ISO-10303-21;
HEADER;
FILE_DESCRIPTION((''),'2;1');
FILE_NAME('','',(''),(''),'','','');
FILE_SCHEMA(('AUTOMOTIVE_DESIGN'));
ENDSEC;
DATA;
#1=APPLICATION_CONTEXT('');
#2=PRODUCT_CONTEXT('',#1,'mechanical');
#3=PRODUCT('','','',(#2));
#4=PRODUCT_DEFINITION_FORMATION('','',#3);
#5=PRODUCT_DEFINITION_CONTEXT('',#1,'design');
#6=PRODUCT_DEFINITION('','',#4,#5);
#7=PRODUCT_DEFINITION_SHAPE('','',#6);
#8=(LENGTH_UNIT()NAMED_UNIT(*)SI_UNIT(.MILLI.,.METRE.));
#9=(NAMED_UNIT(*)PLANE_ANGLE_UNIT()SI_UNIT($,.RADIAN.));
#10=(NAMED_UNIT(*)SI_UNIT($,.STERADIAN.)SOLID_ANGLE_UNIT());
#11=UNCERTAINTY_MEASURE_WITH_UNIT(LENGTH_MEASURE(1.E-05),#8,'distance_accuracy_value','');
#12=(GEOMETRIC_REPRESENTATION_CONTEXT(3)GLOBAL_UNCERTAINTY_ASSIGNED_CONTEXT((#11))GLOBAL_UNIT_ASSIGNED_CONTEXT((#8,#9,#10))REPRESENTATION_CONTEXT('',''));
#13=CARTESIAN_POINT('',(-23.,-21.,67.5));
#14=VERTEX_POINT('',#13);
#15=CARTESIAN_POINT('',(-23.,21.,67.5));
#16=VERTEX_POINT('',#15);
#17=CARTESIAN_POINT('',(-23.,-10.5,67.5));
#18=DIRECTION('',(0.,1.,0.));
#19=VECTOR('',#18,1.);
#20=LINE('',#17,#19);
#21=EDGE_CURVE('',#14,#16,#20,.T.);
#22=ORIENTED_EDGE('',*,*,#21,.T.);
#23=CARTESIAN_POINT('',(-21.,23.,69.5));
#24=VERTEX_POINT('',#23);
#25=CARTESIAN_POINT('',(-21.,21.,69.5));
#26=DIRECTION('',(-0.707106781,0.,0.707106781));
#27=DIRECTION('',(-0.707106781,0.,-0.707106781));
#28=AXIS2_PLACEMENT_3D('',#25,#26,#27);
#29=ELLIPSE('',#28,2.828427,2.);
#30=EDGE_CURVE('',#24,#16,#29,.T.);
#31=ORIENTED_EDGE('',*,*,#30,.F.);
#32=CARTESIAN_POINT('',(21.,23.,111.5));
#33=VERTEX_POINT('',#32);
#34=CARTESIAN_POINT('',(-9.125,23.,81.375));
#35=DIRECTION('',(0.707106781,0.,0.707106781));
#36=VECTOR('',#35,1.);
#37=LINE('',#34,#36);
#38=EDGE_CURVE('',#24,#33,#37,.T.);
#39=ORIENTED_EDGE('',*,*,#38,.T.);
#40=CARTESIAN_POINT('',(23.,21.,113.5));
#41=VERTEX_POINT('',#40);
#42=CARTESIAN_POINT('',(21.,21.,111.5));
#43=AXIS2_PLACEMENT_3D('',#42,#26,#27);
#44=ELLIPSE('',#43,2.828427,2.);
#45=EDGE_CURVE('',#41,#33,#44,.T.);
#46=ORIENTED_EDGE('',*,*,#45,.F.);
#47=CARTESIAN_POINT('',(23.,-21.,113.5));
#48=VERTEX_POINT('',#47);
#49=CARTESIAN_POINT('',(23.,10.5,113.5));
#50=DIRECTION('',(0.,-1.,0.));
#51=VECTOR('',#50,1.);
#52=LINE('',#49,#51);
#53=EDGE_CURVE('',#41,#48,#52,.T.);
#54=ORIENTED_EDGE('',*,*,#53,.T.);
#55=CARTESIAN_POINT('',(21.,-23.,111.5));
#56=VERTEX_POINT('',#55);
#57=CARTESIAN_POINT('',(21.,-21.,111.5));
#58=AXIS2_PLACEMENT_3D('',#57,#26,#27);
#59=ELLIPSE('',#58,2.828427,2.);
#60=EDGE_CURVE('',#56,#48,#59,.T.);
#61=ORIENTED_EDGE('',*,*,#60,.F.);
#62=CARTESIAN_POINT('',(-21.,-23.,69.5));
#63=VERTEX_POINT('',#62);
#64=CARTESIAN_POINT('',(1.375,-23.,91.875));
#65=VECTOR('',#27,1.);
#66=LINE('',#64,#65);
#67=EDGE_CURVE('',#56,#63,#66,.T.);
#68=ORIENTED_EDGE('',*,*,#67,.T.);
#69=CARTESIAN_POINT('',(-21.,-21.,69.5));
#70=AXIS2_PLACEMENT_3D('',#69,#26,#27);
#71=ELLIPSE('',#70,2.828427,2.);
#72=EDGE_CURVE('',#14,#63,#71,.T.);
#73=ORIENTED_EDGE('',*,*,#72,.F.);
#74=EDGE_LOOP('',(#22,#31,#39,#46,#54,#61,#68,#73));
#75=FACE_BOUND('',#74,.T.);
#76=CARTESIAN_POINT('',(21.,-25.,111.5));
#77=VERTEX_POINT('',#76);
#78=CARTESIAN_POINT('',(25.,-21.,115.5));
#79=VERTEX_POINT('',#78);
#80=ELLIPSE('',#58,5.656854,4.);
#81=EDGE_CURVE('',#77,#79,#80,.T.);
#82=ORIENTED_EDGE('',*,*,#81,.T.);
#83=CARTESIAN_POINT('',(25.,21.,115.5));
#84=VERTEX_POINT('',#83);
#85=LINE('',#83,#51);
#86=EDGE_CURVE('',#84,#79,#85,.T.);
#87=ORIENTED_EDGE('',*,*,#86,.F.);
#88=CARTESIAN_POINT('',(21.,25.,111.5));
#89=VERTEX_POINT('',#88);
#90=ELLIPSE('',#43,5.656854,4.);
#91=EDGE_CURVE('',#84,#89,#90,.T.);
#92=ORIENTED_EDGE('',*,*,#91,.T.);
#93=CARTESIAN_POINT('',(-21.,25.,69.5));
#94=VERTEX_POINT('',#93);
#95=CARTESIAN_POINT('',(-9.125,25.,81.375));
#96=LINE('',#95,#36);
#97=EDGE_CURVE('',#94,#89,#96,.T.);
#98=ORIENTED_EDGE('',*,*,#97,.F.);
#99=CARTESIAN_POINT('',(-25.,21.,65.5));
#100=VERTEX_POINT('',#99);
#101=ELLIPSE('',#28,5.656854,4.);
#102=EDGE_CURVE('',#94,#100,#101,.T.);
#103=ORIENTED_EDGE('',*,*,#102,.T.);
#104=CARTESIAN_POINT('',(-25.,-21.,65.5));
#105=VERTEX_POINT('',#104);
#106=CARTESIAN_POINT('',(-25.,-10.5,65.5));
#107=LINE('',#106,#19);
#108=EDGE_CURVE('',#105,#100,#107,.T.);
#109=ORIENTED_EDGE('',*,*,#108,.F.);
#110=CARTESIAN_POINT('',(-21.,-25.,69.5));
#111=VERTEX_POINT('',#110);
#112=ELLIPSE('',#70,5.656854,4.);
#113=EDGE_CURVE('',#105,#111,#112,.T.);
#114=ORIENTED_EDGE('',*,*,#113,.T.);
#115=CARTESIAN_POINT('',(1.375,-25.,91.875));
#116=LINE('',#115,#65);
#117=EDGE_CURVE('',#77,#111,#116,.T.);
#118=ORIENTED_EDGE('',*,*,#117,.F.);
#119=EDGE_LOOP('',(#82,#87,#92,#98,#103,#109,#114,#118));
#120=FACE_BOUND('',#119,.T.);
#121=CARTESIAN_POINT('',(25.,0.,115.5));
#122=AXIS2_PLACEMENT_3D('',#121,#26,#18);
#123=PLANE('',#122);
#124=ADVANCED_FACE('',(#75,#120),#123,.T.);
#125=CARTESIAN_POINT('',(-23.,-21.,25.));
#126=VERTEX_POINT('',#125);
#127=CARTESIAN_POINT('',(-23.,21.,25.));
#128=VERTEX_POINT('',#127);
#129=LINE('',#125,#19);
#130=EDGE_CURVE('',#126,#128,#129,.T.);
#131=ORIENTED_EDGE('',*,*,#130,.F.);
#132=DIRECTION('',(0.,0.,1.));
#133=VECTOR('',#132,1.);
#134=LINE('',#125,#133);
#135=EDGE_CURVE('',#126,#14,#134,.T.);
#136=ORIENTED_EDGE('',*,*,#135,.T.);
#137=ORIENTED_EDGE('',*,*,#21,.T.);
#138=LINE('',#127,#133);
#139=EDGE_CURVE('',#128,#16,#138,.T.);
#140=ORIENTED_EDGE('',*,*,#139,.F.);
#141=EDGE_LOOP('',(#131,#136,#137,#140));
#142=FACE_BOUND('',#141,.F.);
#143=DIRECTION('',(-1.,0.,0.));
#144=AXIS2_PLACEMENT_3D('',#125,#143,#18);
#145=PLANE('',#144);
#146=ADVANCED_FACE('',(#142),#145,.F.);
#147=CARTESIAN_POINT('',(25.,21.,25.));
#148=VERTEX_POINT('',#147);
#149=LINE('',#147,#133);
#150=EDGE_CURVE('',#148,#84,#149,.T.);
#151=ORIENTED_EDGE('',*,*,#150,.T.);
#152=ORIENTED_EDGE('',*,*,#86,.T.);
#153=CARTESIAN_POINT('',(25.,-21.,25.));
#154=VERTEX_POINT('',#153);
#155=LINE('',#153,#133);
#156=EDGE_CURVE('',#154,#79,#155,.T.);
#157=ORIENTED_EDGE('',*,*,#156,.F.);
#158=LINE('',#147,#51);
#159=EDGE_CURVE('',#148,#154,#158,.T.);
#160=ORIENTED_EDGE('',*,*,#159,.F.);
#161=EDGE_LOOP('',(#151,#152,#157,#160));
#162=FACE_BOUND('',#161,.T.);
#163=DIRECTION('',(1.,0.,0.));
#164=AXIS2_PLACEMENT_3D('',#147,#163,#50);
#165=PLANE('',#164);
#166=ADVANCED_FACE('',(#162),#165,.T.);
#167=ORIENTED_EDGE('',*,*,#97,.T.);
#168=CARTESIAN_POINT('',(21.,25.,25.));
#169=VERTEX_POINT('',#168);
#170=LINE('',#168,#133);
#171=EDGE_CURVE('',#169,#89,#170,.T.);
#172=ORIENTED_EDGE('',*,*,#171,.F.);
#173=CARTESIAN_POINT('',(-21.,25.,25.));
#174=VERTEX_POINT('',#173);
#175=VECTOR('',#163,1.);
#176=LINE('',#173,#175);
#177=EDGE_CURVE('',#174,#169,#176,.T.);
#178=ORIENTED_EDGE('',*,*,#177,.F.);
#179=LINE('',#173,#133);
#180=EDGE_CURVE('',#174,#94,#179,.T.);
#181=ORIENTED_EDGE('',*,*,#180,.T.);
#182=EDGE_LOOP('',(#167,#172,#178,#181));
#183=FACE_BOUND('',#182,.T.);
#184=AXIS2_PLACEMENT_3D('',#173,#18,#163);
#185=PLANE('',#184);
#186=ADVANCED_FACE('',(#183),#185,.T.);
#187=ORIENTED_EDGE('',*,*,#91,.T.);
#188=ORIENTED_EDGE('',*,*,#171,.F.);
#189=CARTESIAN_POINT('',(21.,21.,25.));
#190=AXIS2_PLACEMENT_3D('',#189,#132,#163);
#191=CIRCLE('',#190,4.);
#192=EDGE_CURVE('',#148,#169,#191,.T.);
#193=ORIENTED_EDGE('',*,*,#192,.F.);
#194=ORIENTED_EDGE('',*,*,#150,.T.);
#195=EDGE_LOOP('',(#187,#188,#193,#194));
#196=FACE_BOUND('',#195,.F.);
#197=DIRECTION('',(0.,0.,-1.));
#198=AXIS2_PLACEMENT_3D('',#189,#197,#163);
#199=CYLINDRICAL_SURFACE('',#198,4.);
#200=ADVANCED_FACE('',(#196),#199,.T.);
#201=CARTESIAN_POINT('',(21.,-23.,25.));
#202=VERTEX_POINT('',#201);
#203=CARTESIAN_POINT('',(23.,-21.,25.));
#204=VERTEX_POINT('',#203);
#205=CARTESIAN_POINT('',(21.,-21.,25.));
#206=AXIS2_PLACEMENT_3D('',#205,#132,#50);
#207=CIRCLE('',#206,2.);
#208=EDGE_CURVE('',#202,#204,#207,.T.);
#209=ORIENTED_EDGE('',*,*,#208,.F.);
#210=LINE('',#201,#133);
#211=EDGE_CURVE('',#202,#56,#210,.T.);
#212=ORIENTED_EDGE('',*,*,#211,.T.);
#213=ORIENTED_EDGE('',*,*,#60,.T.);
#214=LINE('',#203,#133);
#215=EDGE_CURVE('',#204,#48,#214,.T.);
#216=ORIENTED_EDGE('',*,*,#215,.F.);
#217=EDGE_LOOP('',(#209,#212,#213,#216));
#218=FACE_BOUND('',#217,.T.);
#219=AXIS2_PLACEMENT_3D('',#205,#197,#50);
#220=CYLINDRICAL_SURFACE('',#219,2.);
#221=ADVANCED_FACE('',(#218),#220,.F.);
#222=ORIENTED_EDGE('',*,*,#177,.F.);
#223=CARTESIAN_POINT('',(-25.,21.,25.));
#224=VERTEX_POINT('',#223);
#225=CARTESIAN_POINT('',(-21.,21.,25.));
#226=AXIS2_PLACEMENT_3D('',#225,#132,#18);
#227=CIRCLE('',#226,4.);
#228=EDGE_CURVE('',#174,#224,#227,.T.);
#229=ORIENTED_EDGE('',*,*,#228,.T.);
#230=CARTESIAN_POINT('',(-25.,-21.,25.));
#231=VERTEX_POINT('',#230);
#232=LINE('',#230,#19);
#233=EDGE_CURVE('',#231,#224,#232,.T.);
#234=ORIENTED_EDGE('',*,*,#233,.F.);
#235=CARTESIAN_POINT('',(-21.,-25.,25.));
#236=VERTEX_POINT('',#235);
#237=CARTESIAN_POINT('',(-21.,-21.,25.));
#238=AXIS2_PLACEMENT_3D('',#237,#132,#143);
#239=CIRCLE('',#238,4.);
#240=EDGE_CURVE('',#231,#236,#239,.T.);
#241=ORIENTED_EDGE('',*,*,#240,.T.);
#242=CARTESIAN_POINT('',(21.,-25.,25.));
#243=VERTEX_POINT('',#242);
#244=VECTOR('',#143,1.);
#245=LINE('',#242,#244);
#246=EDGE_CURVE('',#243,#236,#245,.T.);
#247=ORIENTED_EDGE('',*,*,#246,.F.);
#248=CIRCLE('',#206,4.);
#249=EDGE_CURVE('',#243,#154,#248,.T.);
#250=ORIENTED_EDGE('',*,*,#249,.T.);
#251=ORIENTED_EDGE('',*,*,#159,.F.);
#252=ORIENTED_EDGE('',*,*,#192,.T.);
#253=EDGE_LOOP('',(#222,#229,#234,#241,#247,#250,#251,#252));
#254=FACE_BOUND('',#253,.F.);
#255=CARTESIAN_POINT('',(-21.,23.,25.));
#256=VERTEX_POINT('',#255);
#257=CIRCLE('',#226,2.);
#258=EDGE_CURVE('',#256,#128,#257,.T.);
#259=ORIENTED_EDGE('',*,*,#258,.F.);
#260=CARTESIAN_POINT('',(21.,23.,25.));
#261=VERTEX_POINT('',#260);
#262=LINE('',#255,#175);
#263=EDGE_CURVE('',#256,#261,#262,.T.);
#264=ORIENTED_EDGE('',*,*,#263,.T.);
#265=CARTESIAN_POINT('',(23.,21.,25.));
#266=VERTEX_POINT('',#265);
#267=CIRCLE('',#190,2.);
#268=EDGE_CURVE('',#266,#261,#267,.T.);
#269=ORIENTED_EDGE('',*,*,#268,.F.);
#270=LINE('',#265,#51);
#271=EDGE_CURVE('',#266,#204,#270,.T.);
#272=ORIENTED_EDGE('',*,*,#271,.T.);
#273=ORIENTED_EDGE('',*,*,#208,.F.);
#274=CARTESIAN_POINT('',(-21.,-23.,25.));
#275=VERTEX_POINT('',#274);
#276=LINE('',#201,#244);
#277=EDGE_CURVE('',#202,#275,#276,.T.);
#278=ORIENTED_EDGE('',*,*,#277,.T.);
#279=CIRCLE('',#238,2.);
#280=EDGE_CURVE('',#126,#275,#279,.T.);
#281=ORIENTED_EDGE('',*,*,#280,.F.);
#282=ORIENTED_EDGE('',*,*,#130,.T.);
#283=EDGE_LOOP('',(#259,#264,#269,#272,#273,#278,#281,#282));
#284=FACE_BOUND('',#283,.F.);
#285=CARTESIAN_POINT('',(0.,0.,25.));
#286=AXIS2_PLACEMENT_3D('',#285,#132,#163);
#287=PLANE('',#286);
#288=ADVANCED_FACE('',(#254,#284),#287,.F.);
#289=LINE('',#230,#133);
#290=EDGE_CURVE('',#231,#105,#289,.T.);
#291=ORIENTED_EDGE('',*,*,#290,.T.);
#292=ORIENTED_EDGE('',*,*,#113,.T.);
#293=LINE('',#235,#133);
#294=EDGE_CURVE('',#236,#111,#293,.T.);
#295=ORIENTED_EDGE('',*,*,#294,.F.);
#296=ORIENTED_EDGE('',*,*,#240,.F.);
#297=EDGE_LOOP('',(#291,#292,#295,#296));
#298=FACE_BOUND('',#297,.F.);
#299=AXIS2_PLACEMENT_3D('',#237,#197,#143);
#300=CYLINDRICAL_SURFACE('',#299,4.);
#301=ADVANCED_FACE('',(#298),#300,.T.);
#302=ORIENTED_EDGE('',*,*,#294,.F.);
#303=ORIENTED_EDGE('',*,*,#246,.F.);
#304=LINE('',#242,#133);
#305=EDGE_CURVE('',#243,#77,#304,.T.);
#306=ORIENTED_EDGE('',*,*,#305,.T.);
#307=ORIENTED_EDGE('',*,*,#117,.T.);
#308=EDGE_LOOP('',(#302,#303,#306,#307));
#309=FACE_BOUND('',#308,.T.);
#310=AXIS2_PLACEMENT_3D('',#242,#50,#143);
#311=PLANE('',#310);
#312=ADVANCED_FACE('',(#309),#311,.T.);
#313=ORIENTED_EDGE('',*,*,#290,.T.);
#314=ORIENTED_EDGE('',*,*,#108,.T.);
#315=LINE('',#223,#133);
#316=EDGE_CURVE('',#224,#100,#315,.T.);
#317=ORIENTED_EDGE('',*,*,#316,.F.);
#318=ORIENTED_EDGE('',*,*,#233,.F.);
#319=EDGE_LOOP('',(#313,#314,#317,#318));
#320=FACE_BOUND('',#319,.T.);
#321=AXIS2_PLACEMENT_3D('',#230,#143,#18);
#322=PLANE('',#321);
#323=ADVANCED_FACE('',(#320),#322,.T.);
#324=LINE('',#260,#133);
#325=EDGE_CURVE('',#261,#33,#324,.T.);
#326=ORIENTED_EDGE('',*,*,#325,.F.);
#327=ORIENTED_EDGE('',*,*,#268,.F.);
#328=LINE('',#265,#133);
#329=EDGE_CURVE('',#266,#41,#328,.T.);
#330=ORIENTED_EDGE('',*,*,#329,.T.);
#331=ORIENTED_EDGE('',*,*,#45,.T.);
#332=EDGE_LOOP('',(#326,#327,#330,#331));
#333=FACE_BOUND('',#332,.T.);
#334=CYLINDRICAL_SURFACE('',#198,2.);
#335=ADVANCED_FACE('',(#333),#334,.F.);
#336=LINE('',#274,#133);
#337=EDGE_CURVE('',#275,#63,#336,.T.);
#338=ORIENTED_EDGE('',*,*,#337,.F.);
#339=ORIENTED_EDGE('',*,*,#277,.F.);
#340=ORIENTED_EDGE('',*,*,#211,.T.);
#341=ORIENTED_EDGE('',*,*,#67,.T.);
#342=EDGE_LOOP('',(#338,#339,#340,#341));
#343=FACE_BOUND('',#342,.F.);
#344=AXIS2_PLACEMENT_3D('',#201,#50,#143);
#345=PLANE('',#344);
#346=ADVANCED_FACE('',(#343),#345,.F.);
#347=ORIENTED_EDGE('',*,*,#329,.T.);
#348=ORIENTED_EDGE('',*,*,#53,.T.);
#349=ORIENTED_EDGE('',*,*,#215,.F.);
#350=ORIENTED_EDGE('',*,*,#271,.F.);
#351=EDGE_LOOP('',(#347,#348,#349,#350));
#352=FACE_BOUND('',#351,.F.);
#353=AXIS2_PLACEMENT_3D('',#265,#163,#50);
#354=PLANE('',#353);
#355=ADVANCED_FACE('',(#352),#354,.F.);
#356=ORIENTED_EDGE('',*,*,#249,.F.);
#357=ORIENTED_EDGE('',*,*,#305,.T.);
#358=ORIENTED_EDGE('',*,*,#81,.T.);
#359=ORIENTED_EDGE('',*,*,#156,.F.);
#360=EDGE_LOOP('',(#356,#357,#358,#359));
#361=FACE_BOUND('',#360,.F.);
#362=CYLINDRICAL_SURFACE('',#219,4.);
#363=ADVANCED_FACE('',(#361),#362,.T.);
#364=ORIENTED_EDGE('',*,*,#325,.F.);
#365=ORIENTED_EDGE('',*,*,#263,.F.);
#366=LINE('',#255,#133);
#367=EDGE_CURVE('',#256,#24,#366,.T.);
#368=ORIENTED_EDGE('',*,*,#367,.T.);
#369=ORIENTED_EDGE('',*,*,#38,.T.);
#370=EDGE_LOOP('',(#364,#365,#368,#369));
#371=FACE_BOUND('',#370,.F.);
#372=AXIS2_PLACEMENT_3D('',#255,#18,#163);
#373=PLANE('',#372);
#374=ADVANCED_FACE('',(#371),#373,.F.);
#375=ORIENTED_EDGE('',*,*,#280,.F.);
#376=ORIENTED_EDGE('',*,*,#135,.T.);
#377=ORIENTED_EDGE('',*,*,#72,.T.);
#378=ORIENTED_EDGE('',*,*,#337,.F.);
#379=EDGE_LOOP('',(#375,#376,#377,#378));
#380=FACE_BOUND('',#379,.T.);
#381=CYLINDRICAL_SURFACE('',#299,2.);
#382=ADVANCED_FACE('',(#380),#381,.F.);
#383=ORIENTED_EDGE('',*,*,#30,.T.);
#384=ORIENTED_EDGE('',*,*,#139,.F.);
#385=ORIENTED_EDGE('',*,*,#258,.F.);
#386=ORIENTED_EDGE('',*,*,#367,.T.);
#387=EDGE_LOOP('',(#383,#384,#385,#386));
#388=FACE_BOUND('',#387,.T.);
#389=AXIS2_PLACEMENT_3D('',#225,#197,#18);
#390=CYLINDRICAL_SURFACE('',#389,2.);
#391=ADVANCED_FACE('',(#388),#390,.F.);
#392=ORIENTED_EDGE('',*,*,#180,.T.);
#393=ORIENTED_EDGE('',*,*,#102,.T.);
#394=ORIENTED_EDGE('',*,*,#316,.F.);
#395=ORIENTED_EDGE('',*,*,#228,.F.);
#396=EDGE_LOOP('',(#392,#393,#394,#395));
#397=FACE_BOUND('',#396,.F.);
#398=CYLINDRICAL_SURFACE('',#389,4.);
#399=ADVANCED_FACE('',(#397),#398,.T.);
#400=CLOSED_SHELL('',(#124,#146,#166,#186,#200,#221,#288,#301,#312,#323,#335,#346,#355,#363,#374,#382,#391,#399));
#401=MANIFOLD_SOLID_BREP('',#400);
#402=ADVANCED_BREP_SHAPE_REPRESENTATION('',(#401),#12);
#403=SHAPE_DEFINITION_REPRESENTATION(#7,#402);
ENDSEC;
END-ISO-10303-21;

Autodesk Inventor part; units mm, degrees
ref_plane "Start Plane" through (0, 0, 25) normal (0, 0, 1) x (1, 0, 0)
ref_plane "End Plane" through (0, 0, 115.5) normal (0, 0, 1) x (1, 0, 0)
sketch "Sketch" plane through (0, 0, 0) normal (0, 0, 1) x (1, 0, 0)
  line L0 (-25, -21) -> (-25, 21)
  line L1 (-21, 25) -> (21, 25)
  line L2 (25, 21) -> (25, -21)
  line L3 (21, -25) -> (-21, -25)
  arc A0 (-25, -21) -> (-21, -25) centre (-21, -21) ccw
  arc A1 (25, 21) -> (21, 25) centre (21, 21) ccw
  arc A2 (-21, 25) -> (-25, 21) centre (-21, 21) ccw
  arc A3 (21, -25) -> (25, -21) centre (21, -21) ccw
  arc A4 (-21, 23) -> (-23, 21) centre (-21, 21) ccw
  line L4 (-21, 23) -> (21, 23)
  arc A5 (23, 21) -> (21, 23) centre (21, 21) ccw
  line L5 (23, 21) -> (23, -21)
  arc A6 (21, -23) -> (23, -21) centre (21, -21) ccw
  line L6 (21, -23) -> (-21, -23)
  arc A7 (-23, -21) -> (-21, -23) centre (-21, -21) ccw
  line L7 (-23, -21) -> (-23, 21)
  line L8 (0, 36.1598) -> (0, -36.1598) construction
  line L9 (-36.1598, 0) -> (36.1598, 0) construction
  dimension "d7" = 4
  dimension "d9" = 50
  dimension "d11" = 50
  dimension "d12" = 2
  dimension "d15" = 25
  dimension "d16" = 25
extrude "Body" add sketch "Sketch" along normal up to surface (90.5 mm away) from surface at 25
sketch "Sketch3" plane through (0, 0, 0) normal (0, 0, 1) x (1, 0, 0)
  line L0 (0, 0) -> (10, 0)
ref_plane "Work Plane3" through (0, 0, 0) normal (0, -1, 0) x (1, 0, 0)
sketch "Sketch4" plane through (0, 0, 0) normal (0, -1, 0) x (1, 0, 0)
  line L0 (-2, 25) -> (12, 25)
  line L1 (-2, 115.5) -> (12, 115.5)
  dimension "d18" = 90.5
ref_plane "Work Plane4" through (25, 0, 115.5) normal (-0.7071, 0, 0.7071) x (0.7071, 0, 0.7071)
split "Split1" plane through (25, 0, 115.5) removes the side toward (-0.7071, 0, 0.7071)
ref_plane "Work Plane5" through (21, -282.75, 25) normal (0, 0, -1) x (-1, 0, 0)
split "Split2" plane through (21, -282.75, 25) removes the side toward (0, 0, -1)
equation "\"d7\" = G_IR"
equation "\"d9\" = G_W"
equation "\"d11\" = G_H"
equation "\"d12\" = G_T"
equation "\"d15\" = 0.5 * d9"
equation "\"d16\" = 0.5 * d11"
equation "\"d3\" = G_L"
equation "\"G_W\" = 50"
equation "\"G_H\" = 50"
equation "\"G_T\" = 2"
equation "\"G_IR\" = 4"
equation "\"G_L\" = d18"
equation "\"G_OFFSET_START\" = -25"
equation "\"G_OFFSET_END\" = 25"
equation "\"d13\" = -G_OFFSET_START"
equation "\"d14\" = G_OFFSET_END + B_L"
equation "\"B_L\" = 90.5"
properties part number "ISO 10799-2 - 50x50x2 - 90.5" material "Steel, Galvanized"
